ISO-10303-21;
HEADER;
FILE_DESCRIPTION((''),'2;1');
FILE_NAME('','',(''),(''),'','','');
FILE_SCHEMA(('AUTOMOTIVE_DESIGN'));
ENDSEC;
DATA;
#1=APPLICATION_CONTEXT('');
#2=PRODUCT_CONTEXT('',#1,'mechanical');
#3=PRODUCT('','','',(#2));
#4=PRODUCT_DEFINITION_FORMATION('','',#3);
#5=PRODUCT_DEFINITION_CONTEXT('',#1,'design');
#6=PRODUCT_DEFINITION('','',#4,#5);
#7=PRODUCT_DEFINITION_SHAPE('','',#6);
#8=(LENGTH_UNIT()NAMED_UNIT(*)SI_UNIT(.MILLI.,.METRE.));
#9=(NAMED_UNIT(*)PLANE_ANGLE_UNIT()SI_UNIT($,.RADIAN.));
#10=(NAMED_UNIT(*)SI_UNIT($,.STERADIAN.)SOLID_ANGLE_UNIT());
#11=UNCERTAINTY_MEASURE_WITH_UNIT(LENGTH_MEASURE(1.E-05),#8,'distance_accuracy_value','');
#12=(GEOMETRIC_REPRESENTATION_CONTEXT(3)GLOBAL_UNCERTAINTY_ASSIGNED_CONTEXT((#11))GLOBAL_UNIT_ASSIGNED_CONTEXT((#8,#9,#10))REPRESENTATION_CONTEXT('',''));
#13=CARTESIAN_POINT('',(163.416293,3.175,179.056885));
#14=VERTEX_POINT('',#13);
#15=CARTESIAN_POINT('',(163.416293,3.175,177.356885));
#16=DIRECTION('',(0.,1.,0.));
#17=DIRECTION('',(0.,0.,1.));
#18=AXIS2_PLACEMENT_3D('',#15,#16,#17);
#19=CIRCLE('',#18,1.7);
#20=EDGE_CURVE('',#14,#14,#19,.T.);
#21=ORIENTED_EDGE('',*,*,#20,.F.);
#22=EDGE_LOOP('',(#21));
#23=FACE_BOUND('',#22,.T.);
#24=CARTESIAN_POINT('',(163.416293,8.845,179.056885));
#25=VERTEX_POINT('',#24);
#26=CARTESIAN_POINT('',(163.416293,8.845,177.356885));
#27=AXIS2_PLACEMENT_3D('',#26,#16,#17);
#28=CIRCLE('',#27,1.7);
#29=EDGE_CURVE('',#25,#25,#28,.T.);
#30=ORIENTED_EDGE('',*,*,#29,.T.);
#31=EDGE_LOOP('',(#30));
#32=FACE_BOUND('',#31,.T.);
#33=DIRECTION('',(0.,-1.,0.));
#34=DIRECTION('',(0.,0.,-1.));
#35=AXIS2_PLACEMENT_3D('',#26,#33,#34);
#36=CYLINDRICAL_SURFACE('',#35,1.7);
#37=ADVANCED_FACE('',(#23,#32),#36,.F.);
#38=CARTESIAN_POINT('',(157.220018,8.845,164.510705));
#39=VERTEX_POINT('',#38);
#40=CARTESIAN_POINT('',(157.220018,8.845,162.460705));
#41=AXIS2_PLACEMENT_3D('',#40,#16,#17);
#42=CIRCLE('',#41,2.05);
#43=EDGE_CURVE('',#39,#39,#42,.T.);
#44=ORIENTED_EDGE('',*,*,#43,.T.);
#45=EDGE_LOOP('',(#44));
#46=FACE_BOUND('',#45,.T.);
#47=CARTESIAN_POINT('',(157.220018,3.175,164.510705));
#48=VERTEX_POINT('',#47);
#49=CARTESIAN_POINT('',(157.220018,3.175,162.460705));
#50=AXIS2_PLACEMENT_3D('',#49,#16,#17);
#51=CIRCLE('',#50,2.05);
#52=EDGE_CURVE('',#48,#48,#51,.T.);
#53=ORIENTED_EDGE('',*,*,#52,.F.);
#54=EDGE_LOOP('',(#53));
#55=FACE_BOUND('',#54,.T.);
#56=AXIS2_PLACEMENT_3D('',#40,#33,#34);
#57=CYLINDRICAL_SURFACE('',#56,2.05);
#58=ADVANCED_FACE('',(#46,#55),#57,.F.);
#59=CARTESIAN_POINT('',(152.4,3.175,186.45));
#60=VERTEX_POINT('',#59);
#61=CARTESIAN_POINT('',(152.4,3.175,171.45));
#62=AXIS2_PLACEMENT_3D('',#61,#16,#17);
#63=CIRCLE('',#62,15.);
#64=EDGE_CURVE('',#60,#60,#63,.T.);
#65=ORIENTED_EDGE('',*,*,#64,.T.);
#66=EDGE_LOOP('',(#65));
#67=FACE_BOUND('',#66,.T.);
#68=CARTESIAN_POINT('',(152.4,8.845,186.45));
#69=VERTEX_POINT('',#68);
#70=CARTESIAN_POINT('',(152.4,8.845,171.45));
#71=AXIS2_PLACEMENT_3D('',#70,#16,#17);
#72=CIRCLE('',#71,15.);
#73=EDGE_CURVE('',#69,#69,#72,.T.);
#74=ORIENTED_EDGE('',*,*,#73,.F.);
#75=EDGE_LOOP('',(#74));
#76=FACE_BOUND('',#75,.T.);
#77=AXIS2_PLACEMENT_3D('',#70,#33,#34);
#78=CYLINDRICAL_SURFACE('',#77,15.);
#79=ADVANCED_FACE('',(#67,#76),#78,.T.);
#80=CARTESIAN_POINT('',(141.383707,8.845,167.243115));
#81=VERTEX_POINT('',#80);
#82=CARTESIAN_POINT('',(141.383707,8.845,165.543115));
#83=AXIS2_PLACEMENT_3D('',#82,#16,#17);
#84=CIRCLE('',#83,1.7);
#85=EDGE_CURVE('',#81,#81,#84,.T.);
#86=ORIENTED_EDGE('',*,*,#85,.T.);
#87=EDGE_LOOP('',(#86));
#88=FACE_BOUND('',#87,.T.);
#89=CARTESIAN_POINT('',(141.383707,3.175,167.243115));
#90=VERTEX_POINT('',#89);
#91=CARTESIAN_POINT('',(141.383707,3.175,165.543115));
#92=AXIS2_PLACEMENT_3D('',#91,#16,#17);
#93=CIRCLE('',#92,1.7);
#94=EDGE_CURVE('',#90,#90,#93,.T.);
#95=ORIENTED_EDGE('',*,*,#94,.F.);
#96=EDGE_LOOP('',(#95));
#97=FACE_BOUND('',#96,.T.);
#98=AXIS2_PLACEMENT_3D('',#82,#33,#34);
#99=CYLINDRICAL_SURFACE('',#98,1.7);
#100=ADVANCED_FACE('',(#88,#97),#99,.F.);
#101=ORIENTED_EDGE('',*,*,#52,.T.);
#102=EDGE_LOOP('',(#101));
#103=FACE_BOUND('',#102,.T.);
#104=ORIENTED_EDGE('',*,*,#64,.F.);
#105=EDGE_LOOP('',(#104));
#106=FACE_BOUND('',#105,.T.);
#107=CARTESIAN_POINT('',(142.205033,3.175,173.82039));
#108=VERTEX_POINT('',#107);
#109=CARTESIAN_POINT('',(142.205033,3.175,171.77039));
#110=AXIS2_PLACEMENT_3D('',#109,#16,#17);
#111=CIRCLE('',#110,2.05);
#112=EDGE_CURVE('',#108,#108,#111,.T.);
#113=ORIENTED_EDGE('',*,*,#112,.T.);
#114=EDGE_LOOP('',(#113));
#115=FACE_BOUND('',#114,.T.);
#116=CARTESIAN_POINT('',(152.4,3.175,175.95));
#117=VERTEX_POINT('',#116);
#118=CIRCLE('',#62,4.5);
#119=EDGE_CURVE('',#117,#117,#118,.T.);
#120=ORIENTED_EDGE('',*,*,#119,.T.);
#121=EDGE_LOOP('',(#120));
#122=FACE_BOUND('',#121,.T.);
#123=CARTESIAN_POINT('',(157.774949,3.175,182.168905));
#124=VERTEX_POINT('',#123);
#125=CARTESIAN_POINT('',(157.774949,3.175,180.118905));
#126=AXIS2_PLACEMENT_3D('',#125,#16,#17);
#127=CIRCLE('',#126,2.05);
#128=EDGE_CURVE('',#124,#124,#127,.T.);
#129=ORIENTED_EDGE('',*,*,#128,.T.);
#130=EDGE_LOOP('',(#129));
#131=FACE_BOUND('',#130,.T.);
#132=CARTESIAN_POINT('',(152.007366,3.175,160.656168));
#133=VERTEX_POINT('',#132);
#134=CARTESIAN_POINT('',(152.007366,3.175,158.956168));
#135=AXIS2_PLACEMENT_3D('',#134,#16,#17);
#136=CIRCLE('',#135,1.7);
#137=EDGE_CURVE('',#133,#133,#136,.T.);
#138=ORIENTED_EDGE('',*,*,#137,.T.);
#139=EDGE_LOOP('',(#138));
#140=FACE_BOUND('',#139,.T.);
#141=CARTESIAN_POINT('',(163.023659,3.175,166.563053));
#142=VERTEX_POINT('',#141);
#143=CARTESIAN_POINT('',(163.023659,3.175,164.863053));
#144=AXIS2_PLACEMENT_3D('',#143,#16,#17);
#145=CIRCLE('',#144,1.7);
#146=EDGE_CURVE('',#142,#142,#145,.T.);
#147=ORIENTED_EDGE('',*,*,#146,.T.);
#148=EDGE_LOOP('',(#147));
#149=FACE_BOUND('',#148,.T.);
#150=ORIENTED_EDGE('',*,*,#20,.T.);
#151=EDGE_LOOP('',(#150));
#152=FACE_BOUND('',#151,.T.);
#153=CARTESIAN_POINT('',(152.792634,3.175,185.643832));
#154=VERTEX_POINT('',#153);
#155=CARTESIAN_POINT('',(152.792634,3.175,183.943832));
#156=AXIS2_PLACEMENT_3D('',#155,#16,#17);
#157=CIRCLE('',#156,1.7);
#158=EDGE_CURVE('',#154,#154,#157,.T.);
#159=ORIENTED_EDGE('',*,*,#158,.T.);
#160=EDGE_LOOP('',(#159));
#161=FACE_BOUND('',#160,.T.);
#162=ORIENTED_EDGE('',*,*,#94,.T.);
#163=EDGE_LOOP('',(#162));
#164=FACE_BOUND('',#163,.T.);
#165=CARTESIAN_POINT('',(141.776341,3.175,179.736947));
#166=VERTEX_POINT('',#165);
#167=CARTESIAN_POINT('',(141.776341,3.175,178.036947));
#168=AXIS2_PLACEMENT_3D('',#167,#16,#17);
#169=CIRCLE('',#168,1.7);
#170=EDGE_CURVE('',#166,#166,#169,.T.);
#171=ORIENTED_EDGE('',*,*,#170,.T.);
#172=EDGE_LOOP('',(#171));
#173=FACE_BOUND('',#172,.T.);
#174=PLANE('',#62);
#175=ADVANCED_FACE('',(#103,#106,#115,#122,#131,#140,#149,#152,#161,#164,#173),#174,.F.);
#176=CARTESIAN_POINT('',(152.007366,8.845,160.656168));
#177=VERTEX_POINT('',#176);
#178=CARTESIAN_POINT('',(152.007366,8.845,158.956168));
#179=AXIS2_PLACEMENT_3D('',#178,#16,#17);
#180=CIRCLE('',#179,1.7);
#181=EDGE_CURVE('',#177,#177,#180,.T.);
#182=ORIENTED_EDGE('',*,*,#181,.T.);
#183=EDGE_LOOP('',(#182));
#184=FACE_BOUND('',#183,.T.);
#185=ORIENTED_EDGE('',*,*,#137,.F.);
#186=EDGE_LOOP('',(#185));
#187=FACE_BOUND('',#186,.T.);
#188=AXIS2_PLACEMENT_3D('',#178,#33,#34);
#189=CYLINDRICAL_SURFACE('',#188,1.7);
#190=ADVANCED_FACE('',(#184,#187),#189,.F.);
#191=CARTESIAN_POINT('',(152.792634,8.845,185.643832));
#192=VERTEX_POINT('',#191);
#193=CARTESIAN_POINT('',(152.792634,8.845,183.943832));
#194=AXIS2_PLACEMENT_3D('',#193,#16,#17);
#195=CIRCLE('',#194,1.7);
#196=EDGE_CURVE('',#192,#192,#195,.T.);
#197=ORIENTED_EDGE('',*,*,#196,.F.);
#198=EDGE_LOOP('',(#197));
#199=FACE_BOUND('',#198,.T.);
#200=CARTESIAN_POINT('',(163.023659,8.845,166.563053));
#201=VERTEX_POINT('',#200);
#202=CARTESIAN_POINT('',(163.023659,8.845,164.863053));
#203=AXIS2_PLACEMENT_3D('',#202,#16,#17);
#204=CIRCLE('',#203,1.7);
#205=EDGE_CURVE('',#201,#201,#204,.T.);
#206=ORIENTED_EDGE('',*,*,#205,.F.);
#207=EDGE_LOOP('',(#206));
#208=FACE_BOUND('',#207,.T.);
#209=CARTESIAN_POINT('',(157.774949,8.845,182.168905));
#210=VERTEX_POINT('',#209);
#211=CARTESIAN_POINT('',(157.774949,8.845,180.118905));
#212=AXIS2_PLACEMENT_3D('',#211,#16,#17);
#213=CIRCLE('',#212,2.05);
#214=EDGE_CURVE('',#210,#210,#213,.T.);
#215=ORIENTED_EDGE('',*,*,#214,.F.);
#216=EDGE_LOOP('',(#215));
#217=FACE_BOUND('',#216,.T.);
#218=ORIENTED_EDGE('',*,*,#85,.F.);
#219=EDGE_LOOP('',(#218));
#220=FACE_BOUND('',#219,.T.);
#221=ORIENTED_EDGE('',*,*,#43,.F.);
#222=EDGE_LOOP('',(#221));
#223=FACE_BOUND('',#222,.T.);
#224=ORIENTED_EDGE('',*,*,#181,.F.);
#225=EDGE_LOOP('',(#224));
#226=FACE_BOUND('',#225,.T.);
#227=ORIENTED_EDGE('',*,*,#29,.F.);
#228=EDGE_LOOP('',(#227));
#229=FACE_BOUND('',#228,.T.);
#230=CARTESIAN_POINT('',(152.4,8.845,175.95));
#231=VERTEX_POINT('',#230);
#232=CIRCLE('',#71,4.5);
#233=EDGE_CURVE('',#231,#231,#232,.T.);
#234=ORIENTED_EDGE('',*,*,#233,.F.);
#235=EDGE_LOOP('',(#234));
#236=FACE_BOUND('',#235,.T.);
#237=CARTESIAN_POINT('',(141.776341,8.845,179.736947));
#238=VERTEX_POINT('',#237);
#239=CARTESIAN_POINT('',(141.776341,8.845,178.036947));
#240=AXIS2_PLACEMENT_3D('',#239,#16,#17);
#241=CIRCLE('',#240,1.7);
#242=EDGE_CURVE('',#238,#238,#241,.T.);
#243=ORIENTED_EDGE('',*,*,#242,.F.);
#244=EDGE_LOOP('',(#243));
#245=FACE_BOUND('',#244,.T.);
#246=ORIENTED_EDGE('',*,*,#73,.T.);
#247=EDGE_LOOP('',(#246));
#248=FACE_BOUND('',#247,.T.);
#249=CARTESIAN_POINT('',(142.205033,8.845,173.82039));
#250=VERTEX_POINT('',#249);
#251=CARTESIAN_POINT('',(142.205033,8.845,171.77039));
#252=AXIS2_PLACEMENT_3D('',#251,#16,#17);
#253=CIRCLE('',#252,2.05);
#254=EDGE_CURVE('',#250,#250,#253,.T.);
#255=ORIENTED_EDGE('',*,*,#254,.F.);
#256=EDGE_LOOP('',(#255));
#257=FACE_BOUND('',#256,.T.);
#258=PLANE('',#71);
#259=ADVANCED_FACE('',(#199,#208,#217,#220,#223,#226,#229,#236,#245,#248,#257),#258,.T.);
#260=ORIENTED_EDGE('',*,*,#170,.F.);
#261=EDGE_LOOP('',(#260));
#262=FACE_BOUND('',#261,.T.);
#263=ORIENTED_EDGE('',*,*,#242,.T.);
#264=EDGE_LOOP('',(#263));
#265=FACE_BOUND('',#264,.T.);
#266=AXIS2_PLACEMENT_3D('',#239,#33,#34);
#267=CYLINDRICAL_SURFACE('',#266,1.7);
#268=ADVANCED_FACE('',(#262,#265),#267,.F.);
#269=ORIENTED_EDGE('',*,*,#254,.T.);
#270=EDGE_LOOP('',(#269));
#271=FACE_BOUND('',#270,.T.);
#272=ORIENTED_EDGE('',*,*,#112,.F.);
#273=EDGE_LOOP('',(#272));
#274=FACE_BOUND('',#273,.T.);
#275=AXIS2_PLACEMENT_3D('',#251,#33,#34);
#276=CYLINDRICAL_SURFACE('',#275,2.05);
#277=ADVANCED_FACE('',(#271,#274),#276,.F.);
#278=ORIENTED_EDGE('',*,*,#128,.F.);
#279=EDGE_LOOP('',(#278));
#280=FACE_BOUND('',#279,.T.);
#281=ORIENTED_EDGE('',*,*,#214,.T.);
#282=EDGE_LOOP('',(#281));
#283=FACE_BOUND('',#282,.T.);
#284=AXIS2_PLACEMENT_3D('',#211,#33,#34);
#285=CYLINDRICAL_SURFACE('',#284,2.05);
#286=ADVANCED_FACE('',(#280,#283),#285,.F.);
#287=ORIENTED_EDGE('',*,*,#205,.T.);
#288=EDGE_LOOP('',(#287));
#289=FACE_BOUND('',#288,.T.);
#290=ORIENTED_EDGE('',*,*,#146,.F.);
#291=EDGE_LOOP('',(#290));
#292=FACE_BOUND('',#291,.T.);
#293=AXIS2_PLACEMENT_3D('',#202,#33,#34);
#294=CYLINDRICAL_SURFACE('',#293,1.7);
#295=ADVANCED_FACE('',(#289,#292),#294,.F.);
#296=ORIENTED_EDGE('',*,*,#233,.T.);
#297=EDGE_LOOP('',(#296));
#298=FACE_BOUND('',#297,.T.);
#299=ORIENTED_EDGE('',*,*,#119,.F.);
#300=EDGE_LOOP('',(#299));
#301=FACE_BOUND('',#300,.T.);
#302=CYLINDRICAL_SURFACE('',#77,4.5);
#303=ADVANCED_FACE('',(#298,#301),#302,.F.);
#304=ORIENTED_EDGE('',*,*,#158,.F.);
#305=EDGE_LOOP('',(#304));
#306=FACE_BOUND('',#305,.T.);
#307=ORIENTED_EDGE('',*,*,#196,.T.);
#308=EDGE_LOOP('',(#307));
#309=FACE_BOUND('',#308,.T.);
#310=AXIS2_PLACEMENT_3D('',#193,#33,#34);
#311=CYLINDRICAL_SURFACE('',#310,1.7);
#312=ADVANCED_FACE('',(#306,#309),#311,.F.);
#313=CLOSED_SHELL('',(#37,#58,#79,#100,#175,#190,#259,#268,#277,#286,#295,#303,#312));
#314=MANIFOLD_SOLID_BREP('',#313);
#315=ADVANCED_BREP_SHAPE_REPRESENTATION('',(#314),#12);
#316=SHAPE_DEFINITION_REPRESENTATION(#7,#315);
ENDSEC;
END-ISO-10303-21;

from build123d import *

# Parameters (mm, degrees)
DISCO_START    = 3.175
CROQUIS5_R     = 15
DISCO_DEPTH    = 5.67
BARRENOS_START = 3.175
CROQUIS6_R     = 1.7
CROQUIS6_R_2   = 2.05
CROQUIS6_R_3   = 4.5
BARRENOS_DEPTH = 5.67


with BuildPart() as part:
    # Croquis5 → Disco (new body)
    with BuildSketch(Plane(origin=(0, 0, 0), x_dir=(1, 0, 0), z_dir=(0, 1, 0)).offset(DISCO_START)):
        with Locations(Location((152.4, -171.45, 0), (0, 0, 270))):
            Circle(CROQUIS5_R)
    extrude(amount=DISCO_DEPTH)

    # Croquis6 → Barrenos (cut)
    with BuildSketch(Plane(origin=(0, 0, 0), x_dir=(1, 0, 0), z_dir=(0, 1, 0)).offset(BARRENOS_START)):
        with Locations(Location((163.416293151, -177.356884561, 0), (0, 0, 270))):
            Circle(CROQUIS6_R)
        with Locations(Location((152.792634488, -183.943832005, 0), (0, 0, 270))):
            Circle(CROQUIS6_R)
        with Locations(Location((141.776341338, -178.036947444, 0), (0, 0, 270))):
            Circle(CROQUIS6_R)
        with Locations(Location((141.383706849, -165.543115439, 0), (0, 0, 270))):
            Circle(CROQUIS6_R)
        with Locations(Location((152.007365512, -158.956167995, 0), (0, 0, 270))):
            Circle(CROQUIS6_R)
        with Locations(Location((163.023658662, -164.863052556, 0), (0, 0, 270))):
            Circle(CROQUIS6_R)
        with Locations(Location((157.774949114, -180.118905468, 0), (0, 0, 270))):
            Circle(CROQUIS6_R_2)
        with Locations(Location((142.205033084, -171.770389743, 0), (0, 0, 270))):
            Circle(CROQUIS6_R_2)
        with Locations(Location((157.220017802, -162.460704789, 0), (0, 0, 270))):
            Circle(CROQUIS6_R_2)
        with Locations(Location((152.4, -171.45, 0), (0, 0, 270))):
            Circle(CROQUIS6_R_3)
    extrude(amount=BARRENOS_DEPTH, mode=Mode.SUBTRACT)


solid = part.part
